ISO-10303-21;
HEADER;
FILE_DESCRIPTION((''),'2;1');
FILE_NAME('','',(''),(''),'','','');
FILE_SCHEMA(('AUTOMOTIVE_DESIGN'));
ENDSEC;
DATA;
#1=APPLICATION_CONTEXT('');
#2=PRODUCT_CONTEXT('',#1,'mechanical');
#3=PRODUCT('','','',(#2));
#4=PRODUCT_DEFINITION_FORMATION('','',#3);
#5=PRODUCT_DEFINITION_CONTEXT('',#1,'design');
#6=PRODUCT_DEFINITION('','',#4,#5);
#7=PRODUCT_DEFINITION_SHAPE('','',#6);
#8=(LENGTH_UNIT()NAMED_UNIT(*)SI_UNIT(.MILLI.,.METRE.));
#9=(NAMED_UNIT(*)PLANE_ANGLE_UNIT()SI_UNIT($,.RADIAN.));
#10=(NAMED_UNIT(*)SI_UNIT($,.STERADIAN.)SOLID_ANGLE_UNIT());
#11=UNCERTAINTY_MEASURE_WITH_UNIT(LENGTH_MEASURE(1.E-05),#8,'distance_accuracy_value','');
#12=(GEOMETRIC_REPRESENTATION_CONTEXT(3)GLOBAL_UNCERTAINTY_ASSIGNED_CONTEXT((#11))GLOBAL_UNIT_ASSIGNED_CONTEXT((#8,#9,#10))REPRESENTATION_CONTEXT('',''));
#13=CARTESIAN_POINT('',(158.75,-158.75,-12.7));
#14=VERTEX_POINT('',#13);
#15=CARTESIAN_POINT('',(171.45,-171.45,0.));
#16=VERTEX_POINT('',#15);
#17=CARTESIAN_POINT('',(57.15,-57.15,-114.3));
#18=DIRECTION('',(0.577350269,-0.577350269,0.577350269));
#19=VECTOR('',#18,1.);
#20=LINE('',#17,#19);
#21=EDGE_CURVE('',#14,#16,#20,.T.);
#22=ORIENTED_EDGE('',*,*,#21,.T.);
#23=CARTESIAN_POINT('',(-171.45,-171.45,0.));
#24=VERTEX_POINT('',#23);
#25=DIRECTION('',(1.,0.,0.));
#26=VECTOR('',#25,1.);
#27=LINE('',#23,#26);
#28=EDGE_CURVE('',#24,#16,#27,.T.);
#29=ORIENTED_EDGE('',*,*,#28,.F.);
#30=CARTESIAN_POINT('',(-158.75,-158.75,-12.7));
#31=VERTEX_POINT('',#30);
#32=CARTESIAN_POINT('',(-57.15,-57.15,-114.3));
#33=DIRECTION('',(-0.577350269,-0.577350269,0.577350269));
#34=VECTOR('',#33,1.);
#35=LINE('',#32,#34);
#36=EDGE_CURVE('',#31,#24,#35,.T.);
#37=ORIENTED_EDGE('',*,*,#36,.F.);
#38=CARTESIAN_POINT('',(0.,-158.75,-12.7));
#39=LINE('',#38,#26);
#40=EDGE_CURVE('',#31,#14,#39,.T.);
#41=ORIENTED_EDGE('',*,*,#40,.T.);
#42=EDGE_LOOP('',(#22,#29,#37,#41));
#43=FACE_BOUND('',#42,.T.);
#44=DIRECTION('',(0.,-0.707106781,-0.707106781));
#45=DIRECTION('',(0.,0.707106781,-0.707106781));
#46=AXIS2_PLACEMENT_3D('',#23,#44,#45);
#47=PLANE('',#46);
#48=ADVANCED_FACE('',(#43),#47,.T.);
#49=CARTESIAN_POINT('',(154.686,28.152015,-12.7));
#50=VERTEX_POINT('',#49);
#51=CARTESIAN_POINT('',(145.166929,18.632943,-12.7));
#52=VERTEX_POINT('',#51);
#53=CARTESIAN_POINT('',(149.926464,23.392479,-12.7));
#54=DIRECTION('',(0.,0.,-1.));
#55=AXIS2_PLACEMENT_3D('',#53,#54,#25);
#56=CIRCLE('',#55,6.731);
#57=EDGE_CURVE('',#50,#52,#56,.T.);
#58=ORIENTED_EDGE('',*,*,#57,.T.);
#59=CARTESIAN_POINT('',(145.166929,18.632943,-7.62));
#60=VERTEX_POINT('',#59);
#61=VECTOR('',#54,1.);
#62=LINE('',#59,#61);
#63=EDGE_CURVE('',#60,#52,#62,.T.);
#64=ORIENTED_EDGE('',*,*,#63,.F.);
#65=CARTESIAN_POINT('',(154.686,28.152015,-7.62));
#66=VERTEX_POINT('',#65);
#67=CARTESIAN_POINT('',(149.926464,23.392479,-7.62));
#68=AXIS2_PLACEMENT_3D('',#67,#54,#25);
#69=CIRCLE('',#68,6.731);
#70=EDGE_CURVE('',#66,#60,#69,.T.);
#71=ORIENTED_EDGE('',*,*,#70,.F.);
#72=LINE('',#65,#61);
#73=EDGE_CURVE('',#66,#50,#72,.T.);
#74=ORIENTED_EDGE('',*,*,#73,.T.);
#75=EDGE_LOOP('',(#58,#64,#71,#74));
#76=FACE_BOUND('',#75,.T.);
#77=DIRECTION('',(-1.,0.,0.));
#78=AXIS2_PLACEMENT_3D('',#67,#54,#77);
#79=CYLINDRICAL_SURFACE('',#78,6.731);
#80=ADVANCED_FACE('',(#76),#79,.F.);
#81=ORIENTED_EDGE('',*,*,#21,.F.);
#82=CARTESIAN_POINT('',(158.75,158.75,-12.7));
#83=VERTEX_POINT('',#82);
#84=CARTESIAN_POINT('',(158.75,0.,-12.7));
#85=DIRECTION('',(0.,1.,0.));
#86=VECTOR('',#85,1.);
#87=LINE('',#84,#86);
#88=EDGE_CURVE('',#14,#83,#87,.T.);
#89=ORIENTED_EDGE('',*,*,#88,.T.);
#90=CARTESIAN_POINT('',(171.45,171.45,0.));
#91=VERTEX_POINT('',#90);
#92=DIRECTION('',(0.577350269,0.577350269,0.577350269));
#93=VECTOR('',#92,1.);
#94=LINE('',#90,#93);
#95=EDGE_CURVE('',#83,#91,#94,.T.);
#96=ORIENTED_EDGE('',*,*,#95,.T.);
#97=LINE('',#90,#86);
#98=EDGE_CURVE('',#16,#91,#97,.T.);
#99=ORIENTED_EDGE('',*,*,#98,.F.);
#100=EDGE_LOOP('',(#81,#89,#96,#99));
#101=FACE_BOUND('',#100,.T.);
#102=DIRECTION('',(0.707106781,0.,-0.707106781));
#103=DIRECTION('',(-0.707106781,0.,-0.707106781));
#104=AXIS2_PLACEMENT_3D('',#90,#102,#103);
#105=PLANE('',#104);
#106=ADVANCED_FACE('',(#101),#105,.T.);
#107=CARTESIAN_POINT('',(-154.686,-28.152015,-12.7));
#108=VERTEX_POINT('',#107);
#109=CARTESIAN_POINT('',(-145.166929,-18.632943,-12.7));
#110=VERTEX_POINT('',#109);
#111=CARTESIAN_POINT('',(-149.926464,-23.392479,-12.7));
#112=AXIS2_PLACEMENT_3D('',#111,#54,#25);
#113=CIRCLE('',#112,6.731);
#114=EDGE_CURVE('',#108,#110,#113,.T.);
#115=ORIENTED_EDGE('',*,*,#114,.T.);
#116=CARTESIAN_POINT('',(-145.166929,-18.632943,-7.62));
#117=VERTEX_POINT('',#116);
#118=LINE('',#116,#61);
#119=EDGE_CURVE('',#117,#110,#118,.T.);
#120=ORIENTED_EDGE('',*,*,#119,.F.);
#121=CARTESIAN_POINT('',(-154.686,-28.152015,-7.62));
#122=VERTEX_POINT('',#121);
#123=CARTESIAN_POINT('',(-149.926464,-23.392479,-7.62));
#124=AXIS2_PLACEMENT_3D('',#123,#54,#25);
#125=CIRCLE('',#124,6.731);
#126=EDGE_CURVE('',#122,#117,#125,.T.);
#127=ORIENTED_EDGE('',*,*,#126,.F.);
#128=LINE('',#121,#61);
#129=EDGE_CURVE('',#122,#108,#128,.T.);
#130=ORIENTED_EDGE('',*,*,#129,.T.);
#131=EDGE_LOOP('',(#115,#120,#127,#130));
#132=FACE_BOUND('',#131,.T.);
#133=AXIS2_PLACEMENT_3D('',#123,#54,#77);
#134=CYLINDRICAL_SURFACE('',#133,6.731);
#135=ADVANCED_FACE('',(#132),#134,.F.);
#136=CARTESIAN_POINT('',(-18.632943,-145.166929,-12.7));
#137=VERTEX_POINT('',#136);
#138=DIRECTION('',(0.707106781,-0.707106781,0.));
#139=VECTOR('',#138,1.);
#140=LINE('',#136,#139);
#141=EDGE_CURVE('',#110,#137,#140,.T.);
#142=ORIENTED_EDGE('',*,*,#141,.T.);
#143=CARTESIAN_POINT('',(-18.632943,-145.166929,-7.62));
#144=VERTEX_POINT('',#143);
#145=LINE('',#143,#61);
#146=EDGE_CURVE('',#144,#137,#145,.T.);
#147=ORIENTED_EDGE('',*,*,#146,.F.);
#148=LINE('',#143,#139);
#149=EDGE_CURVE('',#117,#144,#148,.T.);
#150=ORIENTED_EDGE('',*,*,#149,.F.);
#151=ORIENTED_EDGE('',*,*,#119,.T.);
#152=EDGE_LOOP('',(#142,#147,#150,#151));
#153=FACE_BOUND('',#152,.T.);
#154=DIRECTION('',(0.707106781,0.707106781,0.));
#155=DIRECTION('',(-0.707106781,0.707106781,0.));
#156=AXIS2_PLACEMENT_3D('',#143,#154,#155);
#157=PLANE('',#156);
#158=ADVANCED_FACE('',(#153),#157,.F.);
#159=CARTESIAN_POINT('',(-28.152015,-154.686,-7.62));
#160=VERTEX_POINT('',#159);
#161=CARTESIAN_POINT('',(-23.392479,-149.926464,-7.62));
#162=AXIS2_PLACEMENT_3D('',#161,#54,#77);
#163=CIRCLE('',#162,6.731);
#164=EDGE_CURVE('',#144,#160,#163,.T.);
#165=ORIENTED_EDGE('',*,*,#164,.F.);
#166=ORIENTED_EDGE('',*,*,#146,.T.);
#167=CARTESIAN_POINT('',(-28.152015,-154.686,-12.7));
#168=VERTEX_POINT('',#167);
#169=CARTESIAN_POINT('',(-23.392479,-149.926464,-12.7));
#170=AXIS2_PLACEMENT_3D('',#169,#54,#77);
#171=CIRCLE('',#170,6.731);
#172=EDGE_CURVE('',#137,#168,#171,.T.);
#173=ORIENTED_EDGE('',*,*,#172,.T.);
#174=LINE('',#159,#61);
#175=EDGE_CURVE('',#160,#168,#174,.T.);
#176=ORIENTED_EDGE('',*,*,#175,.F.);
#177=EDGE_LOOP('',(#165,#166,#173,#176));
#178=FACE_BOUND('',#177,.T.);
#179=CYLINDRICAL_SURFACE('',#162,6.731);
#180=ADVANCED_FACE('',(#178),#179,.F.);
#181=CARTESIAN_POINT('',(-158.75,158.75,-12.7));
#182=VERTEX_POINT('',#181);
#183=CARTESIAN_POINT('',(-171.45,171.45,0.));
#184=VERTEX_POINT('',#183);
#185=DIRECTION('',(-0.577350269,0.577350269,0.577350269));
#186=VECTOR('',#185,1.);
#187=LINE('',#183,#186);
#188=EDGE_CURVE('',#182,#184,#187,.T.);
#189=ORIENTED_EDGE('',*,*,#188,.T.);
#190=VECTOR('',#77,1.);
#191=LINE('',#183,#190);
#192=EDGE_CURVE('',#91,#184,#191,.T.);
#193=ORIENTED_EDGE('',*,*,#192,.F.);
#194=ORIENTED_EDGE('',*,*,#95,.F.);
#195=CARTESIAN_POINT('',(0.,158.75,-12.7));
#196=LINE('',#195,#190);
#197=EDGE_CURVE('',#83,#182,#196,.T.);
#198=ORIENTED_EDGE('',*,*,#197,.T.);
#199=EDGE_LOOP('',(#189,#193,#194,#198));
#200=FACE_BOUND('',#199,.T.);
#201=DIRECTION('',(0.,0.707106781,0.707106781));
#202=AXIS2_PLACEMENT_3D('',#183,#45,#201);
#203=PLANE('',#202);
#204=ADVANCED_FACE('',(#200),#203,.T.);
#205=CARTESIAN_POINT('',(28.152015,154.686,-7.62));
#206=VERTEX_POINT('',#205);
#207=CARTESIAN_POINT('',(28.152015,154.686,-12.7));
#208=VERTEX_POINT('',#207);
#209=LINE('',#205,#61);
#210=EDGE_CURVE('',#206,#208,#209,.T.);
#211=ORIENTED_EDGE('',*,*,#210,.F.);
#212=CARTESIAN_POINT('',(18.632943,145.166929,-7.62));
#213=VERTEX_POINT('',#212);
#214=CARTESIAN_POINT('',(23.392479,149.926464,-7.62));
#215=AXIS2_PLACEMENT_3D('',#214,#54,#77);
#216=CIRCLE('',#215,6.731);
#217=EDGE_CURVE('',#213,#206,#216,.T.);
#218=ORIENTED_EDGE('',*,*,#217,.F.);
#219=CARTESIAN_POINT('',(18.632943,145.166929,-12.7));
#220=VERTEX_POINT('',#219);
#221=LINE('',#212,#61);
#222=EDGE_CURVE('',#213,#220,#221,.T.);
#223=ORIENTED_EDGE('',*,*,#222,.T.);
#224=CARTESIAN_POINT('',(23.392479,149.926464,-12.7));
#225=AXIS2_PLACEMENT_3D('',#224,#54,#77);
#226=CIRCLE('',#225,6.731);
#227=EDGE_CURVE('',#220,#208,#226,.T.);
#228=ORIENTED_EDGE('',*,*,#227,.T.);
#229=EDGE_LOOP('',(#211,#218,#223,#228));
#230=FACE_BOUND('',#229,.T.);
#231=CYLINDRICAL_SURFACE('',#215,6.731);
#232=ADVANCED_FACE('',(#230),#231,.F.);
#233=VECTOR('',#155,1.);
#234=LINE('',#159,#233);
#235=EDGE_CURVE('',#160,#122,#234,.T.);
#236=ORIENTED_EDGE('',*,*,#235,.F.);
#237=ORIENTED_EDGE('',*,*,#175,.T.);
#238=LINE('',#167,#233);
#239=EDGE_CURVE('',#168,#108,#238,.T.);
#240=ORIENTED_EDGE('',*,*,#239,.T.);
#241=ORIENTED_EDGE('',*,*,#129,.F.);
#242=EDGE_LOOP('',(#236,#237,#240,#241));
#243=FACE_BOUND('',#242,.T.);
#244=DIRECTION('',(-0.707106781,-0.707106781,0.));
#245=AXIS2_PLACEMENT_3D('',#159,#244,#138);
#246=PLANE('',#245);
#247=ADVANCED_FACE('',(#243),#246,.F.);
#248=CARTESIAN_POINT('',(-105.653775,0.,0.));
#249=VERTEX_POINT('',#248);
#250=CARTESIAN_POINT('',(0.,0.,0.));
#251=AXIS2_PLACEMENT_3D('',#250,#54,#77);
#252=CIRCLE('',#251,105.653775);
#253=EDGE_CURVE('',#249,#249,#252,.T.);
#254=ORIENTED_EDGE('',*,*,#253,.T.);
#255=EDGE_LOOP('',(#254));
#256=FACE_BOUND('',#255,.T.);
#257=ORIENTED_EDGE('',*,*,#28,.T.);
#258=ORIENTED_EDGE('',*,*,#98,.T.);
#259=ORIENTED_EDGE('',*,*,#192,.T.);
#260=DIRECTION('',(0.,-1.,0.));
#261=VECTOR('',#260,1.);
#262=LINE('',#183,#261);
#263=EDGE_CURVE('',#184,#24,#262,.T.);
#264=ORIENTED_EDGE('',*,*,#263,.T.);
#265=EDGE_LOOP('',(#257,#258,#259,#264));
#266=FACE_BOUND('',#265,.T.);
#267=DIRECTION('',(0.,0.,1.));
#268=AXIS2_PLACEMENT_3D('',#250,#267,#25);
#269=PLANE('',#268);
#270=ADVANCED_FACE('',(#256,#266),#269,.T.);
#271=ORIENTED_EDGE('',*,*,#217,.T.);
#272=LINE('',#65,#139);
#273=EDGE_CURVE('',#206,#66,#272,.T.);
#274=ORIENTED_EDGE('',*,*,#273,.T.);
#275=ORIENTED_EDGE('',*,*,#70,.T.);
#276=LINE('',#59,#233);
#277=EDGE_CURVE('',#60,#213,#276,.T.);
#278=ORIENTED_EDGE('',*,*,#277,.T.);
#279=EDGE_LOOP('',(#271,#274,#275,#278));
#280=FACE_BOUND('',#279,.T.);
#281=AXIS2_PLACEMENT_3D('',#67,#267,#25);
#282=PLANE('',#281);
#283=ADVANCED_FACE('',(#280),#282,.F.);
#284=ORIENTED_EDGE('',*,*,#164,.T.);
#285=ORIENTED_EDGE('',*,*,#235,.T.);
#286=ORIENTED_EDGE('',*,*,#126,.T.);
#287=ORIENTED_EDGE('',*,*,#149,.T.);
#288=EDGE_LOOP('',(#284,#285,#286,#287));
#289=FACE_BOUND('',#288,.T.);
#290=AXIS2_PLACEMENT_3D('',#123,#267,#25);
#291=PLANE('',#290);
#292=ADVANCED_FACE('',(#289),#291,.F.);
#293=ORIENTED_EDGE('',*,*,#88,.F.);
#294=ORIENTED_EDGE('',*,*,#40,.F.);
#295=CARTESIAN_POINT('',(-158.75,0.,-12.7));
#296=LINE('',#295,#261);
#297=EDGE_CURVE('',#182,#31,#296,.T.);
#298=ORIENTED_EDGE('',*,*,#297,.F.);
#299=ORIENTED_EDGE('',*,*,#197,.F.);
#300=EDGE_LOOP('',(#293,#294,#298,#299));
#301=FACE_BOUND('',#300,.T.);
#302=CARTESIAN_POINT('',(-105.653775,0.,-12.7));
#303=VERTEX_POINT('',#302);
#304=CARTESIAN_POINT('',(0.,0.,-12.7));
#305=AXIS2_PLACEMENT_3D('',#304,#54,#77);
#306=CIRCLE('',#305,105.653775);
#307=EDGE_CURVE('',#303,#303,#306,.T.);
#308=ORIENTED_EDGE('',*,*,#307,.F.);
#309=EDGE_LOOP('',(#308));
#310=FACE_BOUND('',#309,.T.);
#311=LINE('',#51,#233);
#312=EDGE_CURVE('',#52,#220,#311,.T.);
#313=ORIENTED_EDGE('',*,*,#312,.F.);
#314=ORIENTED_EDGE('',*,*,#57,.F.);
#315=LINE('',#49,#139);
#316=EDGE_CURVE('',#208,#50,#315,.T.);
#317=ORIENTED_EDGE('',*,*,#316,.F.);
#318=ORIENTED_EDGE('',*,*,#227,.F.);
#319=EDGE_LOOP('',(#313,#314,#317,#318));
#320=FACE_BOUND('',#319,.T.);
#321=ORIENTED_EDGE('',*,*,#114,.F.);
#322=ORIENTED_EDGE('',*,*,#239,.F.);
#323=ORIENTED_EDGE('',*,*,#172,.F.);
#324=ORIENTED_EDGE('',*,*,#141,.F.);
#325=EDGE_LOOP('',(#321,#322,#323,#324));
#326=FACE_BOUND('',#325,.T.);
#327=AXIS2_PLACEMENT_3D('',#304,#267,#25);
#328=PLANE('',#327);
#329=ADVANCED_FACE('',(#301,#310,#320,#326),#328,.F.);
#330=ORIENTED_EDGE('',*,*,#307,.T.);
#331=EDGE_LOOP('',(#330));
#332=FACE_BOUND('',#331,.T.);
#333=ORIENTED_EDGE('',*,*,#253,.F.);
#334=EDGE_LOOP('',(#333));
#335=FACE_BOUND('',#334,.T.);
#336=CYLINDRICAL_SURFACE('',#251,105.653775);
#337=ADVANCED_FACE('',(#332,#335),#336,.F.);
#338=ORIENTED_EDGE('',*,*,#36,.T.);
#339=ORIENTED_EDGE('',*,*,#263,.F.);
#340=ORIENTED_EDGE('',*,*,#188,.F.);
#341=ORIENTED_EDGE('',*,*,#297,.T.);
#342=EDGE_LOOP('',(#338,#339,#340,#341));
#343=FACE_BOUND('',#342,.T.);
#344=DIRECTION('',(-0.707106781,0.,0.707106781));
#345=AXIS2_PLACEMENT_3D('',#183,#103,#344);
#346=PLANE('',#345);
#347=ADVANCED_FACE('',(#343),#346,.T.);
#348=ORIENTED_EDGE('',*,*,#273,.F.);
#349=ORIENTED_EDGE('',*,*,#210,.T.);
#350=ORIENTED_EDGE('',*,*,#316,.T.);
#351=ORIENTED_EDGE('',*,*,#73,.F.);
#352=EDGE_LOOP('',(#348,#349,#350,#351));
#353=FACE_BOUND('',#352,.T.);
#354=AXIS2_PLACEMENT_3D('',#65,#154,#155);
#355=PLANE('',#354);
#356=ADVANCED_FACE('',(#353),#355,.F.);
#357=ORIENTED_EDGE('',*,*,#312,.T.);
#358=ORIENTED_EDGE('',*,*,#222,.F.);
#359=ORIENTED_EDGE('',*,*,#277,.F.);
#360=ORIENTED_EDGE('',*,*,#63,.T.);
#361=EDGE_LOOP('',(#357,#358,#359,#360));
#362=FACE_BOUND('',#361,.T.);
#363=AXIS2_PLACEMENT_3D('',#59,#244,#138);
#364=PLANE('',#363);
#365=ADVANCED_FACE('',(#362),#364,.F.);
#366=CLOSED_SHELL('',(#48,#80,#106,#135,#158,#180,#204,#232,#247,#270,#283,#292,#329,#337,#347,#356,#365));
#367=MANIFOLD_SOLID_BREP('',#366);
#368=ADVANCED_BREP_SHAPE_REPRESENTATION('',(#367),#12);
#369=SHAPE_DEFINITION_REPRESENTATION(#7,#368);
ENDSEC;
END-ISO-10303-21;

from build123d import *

# Parameters (mm, degrees)
SKETCH1_W           = 342.9
SKETCH1_H           = 342.9
BOSS_EXTRUDE1_DEPTH = 12.7
DRAFT1_ANGLE        = -45
SKETCH2_R           = 105.653774547
CUT_EXTRUDE1_DEPTH  = 243.799289538
CUT_EXTRUDE2_DEPTH  = 5.08


with BuildPart() as part:
    # Sketch1 → Boss-Extrude1 (new body)
    with BuildSketch(Plane.XY):
        Rectangle(SKETCH1_W, SKETCH1_H)
    extrude(amount=-BOSS_EXTRUDE1_DEPTH)

    # Draft1
    draft1_faces = [part.faces().sort_by_distance(p)[0] for p in [
        (-171.45, 0, -6.35),
        (0, -171.45, -6.35),
        (171.45, 0, -6.35),
        (0, 171.45, -6.35),
    ]]
    draft(draft1_faces, Plane.XY, DRAFT1_ANGLE)

    # Sketch2 → Cut-Extrude1 (cut, through all)
    with BuildSketch(Plane(origin=(0, 0, -12.7), x_dir=(-1, 0, 0), z_dir=(0, 0, -1))):
        Circle(SKETCH2_R)
    extrude(amount=-CUT_EXTRUDE1_DEPTH, mode=Mode.SUBTRACT)

    # Sketch3 → Cut-Extrude2 (cut)
    with BuildSketch(Plane(origin=(0, 0, -12.7), x_dir=(-1, 0, 0), z_dir=(0, 0, -1))):
        with BuildLine():
            Line((18.632943137, -145.166928512), (145.166928512, -18.632943137))
            ThreePointArc((145.166928512, -18.632943137), (154.686, -18.632943137), (154.686, -28.152014625))
            Line((154.686, -28.152014625), (28.152014625, -154.686))
            ThreePointArc((28.152014625, -154.686), (18.632943137, -154.686), (18.632943137, -145.166928512))
        make_face()
        with BuildLine():
            Line((-154.686, 28.152014625), (-28.152014625, 154.686))
            ThreePointArc((-28.152014625, 154.686), (-18.632943137, 154.686), (-18.632943137, 145.166928512))
            Line((-18.632943137, 145.166928512), (-145.166928512, 18.632943137))
            ThreePointArc((-145.166928512, 18.632943137), (-154.686, 18.632943137), (-154.686, 28.152014625))
        make_face()
    extrude(amount=-CUT_EXTRUDE2_DEPTH, mode=Mode.SUBTRACT)


solid = part.part
